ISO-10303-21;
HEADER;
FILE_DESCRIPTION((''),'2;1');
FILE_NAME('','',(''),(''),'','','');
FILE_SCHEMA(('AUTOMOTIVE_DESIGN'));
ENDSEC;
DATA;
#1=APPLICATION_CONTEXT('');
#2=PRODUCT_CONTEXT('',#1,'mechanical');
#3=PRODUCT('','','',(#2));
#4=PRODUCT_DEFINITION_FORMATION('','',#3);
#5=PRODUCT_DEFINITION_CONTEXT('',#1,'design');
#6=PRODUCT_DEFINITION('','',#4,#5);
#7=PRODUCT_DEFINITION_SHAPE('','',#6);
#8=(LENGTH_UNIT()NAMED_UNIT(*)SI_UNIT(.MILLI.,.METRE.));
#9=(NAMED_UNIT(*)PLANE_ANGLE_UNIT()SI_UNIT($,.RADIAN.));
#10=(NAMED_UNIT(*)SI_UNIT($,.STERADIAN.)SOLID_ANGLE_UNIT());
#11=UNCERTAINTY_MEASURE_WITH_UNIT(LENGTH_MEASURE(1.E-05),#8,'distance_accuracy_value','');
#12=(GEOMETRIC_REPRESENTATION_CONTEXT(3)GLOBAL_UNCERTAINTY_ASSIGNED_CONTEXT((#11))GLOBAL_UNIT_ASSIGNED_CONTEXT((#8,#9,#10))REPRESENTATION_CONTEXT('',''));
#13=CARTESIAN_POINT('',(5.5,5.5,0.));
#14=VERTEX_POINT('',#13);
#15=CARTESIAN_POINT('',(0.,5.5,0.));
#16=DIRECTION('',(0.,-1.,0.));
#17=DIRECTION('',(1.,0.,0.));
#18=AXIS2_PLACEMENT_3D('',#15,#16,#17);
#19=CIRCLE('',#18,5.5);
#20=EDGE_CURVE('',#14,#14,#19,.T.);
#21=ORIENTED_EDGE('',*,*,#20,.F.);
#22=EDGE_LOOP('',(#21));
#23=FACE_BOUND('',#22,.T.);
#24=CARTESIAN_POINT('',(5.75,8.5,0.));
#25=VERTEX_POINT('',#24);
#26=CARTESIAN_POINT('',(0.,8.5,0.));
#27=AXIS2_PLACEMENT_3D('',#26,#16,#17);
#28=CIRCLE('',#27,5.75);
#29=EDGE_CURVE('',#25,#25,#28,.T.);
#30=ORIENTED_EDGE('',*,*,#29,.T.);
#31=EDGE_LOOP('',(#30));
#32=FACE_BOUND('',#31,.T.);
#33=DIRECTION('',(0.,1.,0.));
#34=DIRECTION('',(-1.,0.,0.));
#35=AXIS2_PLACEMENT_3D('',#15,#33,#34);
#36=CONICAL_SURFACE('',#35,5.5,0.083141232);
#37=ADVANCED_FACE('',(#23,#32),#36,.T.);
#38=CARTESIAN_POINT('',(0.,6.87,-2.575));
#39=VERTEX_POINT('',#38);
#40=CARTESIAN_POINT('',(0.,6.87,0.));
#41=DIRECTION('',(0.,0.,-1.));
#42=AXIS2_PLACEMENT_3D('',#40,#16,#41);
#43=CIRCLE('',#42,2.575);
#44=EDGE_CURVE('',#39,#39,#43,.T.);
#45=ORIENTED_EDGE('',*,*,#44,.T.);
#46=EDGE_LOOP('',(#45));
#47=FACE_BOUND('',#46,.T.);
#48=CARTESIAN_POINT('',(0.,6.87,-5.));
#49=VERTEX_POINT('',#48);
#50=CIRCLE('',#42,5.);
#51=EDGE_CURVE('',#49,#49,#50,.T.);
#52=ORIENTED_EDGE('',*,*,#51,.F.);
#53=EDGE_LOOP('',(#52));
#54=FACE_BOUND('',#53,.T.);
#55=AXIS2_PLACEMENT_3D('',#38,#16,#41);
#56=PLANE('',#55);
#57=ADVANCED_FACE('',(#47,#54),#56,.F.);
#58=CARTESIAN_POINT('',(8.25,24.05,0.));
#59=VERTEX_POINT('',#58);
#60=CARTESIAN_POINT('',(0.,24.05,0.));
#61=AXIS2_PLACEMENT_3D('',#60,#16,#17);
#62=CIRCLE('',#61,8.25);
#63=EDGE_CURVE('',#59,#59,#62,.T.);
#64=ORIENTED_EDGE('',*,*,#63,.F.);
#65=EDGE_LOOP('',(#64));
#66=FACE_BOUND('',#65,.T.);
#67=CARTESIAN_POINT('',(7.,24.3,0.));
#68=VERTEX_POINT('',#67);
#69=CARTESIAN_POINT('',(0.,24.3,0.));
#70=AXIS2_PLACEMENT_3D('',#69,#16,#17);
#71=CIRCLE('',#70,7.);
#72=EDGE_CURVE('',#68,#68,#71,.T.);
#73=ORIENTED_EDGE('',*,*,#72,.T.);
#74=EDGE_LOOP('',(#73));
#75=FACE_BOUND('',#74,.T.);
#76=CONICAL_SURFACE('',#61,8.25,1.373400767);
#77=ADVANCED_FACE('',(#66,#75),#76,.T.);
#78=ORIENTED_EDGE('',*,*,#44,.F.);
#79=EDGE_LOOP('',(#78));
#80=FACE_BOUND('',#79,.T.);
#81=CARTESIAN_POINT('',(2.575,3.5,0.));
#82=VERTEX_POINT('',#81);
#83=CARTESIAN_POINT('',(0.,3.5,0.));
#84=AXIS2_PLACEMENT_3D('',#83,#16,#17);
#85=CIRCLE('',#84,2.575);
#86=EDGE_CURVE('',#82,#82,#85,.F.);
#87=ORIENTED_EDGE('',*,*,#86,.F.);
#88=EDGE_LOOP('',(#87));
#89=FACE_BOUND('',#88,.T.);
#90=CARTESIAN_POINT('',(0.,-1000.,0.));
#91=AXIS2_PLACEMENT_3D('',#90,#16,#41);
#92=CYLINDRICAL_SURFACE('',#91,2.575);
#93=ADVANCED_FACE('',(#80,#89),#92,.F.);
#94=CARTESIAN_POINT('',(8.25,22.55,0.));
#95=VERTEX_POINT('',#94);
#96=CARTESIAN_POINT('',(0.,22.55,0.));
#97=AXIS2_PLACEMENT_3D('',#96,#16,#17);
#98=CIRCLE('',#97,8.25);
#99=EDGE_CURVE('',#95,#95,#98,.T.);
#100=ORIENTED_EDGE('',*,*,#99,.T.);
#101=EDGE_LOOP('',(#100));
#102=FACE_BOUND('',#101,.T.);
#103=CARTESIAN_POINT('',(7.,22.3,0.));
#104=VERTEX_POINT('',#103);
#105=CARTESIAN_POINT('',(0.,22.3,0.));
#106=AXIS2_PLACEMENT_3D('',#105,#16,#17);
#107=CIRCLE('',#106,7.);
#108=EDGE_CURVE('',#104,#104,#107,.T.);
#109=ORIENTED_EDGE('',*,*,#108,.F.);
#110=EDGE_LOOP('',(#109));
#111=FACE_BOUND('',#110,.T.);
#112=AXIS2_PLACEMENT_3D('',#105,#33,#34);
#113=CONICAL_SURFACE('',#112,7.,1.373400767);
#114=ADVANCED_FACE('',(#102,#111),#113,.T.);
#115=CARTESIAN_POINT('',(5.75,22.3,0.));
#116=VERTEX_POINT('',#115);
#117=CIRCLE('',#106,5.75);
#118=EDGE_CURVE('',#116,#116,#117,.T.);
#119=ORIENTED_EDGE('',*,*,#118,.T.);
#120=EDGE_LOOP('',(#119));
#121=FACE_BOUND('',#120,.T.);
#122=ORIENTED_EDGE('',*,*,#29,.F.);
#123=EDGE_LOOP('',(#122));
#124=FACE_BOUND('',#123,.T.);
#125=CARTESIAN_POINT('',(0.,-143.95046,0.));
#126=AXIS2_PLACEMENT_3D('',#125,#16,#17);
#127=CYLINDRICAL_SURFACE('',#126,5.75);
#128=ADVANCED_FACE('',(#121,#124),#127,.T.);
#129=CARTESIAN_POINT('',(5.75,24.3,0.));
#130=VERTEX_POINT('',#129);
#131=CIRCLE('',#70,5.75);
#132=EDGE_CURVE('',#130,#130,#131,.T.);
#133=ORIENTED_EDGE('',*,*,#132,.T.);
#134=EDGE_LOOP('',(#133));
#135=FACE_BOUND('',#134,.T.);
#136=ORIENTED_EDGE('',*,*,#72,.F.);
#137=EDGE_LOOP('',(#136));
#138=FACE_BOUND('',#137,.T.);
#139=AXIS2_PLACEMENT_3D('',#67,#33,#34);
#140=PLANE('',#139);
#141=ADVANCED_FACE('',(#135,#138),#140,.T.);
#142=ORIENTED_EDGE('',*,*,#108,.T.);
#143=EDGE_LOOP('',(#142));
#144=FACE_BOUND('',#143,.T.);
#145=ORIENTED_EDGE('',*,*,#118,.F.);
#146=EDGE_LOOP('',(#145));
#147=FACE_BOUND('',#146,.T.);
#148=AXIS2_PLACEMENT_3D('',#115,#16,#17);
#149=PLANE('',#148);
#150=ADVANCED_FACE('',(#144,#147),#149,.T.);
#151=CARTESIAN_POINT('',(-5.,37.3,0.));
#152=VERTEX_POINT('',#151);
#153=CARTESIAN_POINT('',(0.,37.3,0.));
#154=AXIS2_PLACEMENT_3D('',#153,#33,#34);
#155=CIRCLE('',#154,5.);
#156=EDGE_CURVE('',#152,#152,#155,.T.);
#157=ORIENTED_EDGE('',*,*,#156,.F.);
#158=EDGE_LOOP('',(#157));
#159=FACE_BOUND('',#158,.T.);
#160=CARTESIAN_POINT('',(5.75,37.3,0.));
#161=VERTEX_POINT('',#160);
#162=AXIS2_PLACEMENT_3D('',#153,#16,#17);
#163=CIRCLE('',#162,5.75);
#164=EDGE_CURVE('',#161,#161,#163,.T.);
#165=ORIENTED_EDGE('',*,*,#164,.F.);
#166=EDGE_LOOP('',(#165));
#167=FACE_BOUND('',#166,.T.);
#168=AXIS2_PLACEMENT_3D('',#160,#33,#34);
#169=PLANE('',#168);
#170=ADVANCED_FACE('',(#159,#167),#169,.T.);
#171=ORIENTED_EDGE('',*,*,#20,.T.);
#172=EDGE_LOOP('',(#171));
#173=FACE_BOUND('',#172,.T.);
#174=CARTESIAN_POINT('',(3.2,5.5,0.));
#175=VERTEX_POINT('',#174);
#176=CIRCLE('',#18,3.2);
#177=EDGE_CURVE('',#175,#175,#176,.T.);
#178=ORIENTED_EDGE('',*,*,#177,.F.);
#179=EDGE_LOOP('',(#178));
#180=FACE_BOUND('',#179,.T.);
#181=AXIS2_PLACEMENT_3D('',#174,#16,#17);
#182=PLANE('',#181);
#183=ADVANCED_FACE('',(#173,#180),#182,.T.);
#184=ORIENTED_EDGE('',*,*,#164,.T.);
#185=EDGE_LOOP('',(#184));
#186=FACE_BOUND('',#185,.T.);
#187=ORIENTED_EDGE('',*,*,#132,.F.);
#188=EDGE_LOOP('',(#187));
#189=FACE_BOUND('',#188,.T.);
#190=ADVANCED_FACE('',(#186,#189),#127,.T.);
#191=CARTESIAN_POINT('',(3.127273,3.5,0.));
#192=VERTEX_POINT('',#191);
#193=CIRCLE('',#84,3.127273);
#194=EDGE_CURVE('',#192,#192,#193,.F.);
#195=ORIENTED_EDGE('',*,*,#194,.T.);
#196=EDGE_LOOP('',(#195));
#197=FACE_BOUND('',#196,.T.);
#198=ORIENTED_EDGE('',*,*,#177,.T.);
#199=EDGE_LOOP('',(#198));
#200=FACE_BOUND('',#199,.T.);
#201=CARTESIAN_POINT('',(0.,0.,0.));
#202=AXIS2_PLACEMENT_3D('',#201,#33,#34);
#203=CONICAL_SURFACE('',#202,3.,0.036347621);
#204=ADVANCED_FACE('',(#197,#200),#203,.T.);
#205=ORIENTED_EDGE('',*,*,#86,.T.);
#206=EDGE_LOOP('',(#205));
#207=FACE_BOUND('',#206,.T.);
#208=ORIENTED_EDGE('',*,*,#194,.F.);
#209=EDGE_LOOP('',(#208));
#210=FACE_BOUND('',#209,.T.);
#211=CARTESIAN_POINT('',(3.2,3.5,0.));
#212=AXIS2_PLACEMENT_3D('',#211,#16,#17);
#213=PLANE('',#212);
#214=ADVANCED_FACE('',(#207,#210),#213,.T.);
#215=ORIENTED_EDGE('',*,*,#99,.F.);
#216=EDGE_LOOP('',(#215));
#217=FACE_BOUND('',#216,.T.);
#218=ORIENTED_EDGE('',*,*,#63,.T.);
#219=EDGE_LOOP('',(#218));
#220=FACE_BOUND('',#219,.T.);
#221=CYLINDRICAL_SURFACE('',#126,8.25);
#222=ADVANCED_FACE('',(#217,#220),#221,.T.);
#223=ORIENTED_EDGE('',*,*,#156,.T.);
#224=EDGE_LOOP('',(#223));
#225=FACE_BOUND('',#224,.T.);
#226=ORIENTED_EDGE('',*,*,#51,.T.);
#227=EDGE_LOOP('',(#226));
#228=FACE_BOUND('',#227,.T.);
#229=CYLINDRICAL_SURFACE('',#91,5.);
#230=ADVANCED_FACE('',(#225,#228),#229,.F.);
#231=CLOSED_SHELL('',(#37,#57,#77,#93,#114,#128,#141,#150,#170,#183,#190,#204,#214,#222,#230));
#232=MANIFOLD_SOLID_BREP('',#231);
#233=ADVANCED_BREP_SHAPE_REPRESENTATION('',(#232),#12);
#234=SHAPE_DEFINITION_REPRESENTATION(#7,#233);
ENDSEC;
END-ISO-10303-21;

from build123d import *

# Parameters (mm, degrees)
SKETCH3_R          = 4.087752765
CUT_EXTRUDE1_DEPTH = 3.5


with BuildPart() as part:
    # Sketch1 → 5.63 mm bottom to pen tip (revolve)
    with BuildSketch(Plane.XY):
        Polygon((0, 0), (3, 0), (3.2, 5.5), (5.5, 5.5), (5.75, 8.5), (5.75, 22.3), (7, 22.3), (8.25, 22.55), (8.25, 24.05), (7, 24.3), (5.75, 24.3), (5.75, 37.3), (0, 37.3), align=None)
    revolve(axis=Axis((0, -143.950460456, 0), (0, 1, 0)))

    # Sketch2 → Cut-Revolve1 (revolve, cut)
    with BuildSketch(Plane(origin=(0, 0, 0), x_dir=(0, 0, -1), z_dir=(1, 0, 0))):
        Polygon((0.75, -5.63), (0.75, -0.43), (2.575, -0.43), (2.575, 6.87), (5, 6.87), (5, 39.162156903), (0, 39.162156903), (0, -5.63), align=None)
    revolve(axis=Axis((0, -1000, 0), (0, 1, 0)), mode=Mode.SUBTRACT)

    # Sketch3 → Cut-Extrude1 (cut)
    with BuildSketch(Plane(origin=(0, 0, 0), x_dir=(-1, 0, 0), z_dir=(0, -1, 0))):
        Circle(SKETCH3_R)
    extrude(amount=-CUT_EXTRUDE1_DEPTH, mode=Mode.SUBTRACT)


solid = part.part
